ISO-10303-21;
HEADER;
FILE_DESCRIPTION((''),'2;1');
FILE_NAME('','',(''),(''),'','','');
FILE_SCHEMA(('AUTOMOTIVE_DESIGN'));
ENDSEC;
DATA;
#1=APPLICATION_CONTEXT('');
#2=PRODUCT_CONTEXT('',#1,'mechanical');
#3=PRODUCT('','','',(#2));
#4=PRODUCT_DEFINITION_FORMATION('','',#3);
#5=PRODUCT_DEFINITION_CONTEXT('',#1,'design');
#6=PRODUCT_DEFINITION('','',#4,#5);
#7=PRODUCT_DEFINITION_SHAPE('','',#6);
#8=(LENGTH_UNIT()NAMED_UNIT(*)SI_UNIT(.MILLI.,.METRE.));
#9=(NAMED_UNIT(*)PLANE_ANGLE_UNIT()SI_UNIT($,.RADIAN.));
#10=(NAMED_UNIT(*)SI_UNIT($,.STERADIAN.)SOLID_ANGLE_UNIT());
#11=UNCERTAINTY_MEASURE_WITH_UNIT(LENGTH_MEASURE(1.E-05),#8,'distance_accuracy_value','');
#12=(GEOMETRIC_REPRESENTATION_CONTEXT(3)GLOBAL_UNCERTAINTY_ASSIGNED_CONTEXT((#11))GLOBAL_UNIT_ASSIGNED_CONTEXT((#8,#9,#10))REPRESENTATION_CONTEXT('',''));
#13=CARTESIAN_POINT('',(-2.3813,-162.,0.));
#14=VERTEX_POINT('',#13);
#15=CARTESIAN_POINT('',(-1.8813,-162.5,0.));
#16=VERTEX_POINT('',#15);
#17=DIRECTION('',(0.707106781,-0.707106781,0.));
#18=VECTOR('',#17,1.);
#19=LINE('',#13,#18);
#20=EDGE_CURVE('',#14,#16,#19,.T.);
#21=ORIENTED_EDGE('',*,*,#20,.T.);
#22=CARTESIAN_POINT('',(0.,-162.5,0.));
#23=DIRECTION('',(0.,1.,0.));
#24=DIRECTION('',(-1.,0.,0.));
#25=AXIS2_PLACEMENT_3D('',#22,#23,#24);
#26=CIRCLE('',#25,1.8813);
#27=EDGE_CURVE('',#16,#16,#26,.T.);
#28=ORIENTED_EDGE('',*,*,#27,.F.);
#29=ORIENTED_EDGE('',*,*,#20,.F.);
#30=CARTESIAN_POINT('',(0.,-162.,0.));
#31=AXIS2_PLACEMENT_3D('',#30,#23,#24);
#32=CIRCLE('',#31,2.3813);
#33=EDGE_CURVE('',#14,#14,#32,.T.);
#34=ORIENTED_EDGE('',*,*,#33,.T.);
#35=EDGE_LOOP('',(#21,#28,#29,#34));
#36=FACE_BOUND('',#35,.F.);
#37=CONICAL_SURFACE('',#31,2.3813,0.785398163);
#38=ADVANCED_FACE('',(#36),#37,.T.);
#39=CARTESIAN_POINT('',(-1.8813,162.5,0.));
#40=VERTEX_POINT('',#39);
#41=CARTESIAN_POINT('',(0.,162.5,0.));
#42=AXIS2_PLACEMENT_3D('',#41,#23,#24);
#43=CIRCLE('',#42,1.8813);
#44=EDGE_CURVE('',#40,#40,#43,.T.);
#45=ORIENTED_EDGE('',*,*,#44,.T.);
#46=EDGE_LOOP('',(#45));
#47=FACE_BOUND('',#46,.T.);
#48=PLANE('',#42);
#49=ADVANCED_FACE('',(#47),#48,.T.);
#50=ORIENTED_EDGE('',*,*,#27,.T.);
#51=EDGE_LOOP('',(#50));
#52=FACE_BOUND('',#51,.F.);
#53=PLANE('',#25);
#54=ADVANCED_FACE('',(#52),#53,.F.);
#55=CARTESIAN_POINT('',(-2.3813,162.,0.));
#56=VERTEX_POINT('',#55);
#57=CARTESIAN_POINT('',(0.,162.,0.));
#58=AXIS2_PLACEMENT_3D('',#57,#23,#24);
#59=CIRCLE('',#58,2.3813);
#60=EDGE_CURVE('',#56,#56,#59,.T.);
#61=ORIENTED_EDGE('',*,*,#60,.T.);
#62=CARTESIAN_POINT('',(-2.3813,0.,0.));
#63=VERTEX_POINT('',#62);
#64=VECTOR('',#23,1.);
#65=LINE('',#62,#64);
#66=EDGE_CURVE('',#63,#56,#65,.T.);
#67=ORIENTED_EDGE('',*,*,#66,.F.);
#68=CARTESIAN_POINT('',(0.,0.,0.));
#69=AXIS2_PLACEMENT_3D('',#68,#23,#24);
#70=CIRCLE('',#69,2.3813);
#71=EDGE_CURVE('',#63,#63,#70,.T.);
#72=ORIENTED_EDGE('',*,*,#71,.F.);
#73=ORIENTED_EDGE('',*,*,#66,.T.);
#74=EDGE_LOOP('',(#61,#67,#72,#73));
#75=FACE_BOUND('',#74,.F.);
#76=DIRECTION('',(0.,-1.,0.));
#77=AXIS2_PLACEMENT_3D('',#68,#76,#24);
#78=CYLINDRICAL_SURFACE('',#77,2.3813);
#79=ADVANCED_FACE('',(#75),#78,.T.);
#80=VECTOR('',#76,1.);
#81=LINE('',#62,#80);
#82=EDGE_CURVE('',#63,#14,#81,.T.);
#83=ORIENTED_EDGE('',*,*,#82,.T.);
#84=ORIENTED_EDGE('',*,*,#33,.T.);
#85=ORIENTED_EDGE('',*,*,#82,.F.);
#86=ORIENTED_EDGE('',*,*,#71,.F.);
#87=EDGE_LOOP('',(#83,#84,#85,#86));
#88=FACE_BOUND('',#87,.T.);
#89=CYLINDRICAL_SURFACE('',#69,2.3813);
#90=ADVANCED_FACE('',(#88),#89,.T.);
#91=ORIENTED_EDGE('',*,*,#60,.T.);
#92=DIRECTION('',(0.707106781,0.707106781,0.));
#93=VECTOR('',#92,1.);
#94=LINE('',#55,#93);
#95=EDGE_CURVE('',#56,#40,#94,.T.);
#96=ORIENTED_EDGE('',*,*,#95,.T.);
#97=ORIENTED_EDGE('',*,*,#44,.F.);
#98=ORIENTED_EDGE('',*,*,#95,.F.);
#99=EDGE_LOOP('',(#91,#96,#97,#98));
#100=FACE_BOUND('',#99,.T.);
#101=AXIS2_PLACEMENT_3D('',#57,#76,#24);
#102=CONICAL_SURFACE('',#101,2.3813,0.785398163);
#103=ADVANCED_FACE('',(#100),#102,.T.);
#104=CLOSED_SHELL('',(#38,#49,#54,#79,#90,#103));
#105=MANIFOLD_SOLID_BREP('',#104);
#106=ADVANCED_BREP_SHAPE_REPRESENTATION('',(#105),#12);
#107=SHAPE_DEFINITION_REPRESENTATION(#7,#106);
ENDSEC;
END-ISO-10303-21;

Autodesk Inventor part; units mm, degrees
ref_plane "YZ Plane" through (0, 0, 0) normal (1, 0, 0) x (0, 1, 0)
ref_plane "XZ Plane" through (0, 0, 0) normal (0, 1, 0) x (-1, 0, 0)
ref_plane "XY Plane" through (0, 0, 0) normal (0, 0, 1) x (1, 0, 0)
sketch "Sketch1" plane through (0, 0, 0) normal (0, 1, 0) x (-1, 0, 0)
  circle A0 centre (0, 0) radius 2.3813
  dimension "d0" = 4.7625
extrude "Extrusion1" add sketch "Sketch1" along normal mid plane 325
thread "Thread1" size "M5x0.8" class "6g" standard "ANSI Metric M Profile" full length
chamfer "Chamfer1" distance 0.5 angle 45 2 edges at (2.3813, 162.5, 0) (2.3813, -162.5, 0)
properties part number "Threaded Rod" material "Stainless Steel"
